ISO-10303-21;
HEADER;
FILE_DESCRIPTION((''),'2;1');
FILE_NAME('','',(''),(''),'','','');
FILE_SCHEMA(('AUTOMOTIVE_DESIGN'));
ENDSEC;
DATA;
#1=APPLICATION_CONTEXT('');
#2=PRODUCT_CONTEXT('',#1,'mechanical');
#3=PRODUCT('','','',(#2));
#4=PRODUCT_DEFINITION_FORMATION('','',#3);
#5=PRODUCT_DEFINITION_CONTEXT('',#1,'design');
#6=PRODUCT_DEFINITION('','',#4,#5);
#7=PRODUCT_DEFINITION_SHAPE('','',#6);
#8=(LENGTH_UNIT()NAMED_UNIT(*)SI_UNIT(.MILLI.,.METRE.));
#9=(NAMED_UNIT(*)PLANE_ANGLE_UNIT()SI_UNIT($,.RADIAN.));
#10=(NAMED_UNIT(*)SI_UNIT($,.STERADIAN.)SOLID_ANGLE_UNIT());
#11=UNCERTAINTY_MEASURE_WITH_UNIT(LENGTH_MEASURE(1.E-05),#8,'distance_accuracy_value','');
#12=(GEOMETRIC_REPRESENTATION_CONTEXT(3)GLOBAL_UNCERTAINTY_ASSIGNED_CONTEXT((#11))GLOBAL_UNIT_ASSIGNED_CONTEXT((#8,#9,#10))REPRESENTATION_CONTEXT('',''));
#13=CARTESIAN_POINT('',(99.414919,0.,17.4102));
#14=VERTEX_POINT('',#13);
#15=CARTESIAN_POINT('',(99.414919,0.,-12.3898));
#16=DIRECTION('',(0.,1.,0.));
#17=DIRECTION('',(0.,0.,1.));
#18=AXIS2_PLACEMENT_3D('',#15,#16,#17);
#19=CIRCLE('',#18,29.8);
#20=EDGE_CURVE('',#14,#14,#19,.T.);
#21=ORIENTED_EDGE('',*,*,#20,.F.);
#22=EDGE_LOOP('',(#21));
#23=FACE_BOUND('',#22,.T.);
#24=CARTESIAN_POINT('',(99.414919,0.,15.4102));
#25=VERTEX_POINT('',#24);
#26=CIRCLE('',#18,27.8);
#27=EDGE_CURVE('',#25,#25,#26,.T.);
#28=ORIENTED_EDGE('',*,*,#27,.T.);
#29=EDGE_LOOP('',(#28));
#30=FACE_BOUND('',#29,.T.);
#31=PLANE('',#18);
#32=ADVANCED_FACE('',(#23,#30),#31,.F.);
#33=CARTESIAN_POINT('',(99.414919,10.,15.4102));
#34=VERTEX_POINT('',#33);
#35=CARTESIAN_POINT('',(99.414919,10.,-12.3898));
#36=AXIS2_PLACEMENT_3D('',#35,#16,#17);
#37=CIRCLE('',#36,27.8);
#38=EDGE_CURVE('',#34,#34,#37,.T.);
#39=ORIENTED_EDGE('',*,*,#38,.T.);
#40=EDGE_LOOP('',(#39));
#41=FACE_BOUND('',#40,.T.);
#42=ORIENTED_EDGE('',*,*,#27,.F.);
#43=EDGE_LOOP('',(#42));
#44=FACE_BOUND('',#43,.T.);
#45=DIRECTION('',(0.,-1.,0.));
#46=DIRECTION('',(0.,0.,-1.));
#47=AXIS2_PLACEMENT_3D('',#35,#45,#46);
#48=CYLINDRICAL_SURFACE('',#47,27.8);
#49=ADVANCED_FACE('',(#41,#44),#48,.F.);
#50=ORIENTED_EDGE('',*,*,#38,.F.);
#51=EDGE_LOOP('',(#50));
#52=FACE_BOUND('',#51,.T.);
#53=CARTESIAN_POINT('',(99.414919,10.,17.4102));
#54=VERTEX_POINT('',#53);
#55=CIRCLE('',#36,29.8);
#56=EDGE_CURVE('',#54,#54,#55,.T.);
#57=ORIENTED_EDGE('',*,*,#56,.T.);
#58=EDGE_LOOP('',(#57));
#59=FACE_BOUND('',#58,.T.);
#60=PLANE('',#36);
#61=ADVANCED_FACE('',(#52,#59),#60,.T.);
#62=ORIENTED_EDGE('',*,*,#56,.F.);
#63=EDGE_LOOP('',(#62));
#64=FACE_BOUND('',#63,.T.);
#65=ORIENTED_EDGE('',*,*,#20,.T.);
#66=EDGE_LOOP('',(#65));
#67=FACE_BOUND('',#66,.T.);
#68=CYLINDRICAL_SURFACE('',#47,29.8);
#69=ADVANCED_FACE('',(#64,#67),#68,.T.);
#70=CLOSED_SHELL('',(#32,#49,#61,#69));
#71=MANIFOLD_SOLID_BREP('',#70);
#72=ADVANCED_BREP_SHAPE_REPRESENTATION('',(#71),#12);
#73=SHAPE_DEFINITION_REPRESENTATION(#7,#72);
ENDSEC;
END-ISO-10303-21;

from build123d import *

# Parameters (mm, degrees)
SKETCH4_R           = 29.8
SKETCH4_R_2         = 27.8
BOSS_EXTRUDE1_DEPTH = 10


with BuildPart() as part:
    # Sketch4 → Boss-Extrude1 (new body)
    with BuildSketch(Plane(origin=(0, 0, 0), x_dir=(1, 0, 0), z_dir=(0, 1, 0))):
        with Locations(Location((99.414918564, 12.389800084, 0), (0, 0, 270))):
            Circle(SKETCH4_R)
        with Locations(Location((99.414918564, 12.389800084, 0), (0, 0, 270))):
            Circle(SKETCH4_R_2, mode=Mode.SUBTRACT)
    extrude(amount=BOSS_EXTRUDE1_DEPTH)


solid = part.part
